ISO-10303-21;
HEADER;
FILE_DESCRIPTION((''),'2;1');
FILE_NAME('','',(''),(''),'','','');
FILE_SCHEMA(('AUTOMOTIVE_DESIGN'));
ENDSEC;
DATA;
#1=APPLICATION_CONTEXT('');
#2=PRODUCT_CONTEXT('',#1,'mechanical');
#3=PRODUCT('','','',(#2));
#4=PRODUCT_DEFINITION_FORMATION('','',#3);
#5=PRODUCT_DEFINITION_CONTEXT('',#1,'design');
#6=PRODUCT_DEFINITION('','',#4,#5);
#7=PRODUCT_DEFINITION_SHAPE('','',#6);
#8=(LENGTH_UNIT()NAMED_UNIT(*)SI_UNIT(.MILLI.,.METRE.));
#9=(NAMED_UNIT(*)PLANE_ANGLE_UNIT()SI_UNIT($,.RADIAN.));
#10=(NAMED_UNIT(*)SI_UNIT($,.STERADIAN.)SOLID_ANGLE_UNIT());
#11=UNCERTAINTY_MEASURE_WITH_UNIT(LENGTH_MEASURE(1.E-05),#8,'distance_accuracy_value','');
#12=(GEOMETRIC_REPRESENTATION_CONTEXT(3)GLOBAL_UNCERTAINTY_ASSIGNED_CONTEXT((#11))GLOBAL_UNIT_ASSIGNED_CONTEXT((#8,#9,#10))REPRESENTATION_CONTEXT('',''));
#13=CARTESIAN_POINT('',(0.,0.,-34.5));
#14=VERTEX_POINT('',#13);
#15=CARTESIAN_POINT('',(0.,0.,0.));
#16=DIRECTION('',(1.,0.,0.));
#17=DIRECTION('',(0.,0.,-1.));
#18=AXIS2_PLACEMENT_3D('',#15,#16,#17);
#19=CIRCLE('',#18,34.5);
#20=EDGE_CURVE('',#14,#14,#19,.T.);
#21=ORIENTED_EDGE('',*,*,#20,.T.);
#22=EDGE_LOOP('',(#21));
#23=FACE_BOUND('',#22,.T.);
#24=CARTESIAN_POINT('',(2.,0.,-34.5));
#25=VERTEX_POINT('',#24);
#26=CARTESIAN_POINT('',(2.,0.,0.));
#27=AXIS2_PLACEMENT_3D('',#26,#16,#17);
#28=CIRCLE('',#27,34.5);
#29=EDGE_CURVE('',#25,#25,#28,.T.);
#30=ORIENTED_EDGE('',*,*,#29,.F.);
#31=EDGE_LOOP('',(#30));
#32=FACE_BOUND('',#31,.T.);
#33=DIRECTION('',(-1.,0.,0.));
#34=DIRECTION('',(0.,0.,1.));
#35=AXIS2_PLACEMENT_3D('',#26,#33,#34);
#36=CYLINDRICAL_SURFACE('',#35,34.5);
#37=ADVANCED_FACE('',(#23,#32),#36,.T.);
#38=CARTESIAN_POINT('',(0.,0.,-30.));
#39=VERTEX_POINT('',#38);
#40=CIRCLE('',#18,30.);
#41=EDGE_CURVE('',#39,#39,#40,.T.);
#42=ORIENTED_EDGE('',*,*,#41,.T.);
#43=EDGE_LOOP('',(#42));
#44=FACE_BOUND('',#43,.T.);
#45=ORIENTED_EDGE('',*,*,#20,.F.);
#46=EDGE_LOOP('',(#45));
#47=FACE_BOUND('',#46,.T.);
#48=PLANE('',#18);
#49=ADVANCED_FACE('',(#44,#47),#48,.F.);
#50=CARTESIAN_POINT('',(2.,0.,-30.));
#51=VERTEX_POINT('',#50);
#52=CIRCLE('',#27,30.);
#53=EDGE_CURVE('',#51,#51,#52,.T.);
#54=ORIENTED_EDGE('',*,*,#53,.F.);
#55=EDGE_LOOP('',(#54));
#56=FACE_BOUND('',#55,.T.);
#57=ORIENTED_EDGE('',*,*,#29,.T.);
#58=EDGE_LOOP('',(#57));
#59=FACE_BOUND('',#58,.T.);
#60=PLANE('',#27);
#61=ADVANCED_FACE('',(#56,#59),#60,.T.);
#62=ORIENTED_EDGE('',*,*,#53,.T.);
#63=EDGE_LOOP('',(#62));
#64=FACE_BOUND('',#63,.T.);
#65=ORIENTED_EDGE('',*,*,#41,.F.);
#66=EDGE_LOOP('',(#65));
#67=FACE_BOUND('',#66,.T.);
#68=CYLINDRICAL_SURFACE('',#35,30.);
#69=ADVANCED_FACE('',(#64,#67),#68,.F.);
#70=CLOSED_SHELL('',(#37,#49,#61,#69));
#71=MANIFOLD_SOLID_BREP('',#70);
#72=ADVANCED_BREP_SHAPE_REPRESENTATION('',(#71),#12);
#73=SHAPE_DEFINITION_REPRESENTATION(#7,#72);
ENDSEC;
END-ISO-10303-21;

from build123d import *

# Parameters (mm, degrees)
ESQUISSE1_R        = 34.5
ESQUISSE1_R_2      = 30
BOSS_EXTRU_1_DEPTH = 2


with BuildPart() as part:
    # Esquisse1 → Boss.-Extru.1 (new body)
    with BuildSketch(Plane.YZ):
        Circle(ESQUISSE1_R)
        Circle(ESQUISSE1_R_2, mode=Mode.SUBTRACT)
    extrude(amount=BOSS_EXTRU_1_DEPTH)


solid = part.part
